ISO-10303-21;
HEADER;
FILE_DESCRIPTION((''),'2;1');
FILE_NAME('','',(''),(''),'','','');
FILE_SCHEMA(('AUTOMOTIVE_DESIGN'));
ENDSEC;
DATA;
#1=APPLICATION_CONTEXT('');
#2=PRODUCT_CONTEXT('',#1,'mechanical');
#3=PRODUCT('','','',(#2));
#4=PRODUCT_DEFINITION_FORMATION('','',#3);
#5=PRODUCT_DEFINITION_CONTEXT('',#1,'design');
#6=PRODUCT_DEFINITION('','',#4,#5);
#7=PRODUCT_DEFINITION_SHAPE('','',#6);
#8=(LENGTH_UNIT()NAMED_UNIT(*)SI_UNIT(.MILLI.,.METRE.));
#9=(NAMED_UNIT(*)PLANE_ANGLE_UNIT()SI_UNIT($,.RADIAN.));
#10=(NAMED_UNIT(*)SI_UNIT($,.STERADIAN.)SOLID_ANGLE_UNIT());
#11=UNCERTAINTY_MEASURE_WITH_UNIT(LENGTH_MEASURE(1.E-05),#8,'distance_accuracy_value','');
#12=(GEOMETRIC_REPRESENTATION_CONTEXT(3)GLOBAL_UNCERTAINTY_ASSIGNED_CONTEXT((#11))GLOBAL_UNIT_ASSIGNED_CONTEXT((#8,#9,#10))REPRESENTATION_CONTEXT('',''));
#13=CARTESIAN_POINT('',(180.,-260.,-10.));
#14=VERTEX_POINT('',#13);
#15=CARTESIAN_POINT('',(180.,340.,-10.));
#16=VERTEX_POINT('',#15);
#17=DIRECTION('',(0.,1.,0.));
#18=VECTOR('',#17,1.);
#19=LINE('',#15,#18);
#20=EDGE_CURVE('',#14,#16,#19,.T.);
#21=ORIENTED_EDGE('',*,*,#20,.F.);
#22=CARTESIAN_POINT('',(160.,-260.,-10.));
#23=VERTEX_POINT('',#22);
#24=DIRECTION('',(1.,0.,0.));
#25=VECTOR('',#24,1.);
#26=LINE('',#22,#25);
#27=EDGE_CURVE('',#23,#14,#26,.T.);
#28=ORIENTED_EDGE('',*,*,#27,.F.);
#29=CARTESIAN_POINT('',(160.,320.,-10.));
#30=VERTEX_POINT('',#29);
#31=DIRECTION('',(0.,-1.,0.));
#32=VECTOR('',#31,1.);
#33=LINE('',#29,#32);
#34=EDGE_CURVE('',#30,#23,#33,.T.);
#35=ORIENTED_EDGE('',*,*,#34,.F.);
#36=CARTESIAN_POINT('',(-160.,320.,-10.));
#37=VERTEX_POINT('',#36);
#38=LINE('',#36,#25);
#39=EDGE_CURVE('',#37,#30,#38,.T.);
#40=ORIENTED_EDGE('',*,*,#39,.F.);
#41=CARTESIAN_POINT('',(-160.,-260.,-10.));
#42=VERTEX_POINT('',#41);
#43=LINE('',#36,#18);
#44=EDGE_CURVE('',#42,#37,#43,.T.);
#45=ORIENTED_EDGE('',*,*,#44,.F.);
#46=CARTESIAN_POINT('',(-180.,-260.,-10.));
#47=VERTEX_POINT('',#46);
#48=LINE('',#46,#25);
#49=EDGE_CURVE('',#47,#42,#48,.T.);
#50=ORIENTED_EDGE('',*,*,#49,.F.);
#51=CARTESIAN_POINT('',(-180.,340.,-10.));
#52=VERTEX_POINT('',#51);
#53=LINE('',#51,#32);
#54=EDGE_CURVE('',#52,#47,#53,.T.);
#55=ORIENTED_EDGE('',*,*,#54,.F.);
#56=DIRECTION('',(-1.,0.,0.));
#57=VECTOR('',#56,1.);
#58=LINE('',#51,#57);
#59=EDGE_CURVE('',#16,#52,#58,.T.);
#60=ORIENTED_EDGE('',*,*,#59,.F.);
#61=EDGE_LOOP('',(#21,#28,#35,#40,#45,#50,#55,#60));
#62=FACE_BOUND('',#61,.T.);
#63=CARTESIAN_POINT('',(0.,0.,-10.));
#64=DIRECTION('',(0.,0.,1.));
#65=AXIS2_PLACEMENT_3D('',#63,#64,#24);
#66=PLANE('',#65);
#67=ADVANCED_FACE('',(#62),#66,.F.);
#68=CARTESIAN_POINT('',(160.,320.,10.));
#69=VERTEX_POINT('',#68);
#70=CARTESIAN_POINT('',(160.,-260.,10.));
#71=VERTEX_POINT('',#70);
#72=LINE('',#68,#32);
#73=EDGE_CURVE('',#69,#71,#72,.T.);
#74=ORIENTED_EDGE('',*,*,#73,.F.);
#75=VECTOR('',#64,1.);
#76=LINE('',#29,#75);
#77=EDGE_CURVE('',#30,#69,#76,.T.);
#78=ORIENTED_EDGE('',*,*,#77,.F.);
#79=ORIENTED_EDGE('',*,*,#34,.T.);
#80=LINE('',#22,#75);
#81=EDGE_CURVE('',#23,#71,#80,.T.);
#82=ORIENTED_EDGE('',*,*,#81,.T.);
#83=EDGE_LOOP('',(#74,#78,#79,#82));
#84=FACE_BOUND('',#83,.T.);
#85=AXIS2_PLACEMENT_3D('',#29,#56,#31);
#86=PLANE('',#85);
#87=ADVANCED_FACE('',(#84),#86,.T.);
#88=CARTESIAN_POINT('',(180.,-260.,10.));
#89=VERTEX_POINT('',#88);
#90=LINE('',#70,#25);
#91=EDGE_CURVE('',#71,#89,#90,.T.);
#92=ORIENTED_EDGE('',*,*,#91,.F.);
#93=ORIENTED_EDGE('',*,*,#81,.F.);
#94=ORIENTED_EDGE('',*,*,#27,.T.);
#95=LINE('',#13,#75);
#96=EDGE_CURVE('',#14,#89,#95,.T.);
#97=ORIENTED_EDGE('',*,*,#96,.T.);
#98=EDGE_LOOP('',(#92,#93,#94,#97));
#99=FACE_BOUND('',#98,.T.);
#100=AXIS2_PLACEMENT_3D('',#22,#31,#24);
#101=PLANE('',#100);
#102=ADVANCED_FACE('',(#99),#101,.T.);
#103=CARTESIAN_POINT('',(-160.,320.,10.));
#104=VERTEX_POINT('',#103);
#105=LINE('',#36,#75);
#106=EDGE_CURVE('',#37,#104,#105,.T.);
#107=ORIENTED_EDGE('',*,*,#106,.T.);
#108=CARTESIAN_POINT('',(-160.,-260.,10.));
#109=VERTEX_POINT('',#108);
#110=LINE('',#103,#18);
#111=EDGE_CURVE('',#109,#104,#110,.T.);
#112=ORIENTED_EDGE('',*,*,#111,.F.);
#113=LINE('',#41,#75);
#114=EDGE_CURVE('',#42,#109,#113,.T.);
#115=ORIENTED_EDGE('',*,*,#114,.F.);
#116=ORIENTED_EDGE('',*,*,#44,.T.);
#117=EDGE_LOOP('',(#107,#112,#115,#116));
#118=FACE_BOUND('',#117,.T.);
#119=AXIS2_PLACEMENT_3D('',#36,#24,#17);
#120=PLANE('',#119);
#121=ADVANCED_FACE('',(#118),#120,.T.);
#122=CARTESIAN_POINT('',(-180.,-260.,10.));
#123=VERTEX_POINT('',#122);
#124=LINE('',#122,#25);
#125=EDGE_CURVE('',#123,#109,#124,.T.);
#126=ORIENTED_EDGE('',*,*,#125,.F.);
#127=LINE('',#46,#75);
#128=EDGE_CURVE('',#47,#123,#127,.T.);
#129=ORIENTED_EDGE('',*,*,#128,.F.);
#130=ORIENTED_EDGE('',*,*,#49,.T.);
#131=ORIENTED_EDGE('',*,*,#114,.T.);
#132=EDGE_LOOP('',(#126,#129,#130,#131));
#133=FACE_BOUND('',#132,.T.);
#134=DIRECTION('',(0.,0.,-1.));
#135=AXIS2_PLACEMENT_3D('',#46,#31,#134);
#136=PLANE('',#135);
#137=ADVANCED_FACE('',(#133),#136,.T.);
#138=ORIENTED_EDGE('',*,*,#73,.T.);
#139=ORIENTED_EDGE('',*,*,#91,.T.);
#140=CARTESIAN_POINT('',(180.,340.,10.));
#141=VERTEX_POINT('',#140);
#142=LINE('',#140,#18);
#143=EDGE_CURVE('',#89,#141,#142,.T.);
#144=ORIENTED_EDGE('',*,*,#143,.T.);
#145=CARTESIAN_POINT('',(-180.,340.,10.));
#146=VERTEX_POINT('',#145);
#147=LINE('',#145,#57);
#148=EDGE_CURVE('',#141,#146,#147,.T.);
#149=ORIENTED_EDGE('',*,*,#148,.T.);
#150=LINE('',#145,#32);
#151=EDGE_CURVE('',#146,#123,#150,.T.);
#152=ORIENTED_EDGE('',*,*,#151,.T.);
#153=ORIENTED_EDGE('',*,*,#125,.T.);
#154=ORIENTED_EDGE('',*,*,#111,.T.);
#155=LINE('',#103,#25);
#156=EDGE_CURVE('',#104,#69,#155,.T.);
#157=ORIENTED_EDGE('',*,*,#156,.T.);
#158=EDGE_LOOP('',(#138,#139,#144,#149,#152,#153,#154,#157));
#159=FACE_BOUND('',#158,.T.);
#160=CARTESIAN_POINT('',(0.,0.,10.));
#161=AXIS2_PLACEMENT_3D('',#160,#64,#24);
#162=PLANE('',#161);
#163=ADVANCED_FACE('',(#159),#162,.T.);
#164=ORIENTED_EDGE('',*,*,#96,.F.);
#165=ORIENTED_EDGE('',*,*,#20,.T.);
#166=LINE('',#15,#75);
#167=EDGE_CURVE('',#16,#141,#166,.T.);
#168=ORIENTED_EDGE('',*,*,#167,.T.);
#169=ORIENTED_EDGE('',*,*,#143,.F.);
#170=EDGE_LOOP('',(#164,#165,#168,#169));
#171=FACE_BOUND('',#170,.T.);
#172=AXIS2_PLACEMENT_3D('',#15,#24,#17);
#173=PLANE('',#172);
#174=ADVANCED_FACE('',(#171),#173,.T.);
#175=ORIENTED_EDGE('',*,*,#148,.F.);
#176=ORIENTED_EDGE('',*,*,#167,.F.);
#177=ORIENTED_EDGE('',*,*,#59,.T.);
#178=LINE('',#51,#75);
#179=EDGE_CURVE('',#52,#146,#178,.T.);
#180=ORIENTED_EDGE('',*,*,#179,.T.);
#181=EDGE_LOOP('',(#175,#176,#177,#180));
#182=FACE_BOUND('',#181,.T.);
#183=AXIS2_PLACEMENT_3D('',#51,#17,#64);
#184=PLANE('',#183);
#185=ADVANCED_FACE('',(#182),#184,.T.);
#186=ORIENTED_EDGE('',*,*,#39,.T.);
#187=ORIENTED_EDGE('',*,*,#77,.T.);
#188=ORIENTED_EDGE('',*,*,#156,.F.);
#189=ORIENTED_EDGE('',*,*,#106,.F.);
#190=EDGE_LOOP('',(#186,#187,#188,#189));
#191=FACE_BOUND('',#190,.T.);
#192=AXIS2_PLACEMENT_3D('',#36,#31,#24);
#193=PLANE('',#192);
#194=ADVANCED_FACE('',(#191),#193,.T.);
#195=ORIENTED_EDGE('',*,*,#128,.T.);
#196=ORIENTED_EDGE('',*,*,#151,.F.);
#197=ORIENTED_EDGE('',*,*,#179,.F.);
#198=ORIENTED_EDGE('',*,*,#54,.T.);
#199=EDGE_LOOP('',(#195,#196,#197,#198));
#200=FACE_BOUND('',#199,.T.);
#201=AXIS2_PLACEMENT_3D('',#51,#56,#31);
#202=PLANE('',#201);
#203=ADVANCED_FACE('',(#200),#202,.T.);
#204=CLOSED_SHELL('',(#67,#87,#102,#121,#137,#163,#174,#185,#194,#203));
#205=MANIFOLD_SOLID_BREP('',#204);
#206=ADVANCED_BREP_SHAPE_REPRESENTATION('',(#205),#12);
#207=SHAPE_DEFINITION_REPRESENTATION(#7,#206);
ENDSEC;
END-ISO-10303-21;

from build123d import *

# Parameters (mm, degrees)
BOSS_EXTRUDE1_DEPTH = 10


with BuildPart() as part:
    # Sketch2 → Boss-Extrude1 (new, symmetric)
    with BuildSketch(Plane.XY):
        Polygon((-180, 340), (180, 340), (180, -260), (160, -260), (160, 320), (-160, 320), (-160, -260), (-180, -260), align=None)
    extrude(amount=BOSS_EXTRUDE1_DEPTH, both=True)


solid = part.part
